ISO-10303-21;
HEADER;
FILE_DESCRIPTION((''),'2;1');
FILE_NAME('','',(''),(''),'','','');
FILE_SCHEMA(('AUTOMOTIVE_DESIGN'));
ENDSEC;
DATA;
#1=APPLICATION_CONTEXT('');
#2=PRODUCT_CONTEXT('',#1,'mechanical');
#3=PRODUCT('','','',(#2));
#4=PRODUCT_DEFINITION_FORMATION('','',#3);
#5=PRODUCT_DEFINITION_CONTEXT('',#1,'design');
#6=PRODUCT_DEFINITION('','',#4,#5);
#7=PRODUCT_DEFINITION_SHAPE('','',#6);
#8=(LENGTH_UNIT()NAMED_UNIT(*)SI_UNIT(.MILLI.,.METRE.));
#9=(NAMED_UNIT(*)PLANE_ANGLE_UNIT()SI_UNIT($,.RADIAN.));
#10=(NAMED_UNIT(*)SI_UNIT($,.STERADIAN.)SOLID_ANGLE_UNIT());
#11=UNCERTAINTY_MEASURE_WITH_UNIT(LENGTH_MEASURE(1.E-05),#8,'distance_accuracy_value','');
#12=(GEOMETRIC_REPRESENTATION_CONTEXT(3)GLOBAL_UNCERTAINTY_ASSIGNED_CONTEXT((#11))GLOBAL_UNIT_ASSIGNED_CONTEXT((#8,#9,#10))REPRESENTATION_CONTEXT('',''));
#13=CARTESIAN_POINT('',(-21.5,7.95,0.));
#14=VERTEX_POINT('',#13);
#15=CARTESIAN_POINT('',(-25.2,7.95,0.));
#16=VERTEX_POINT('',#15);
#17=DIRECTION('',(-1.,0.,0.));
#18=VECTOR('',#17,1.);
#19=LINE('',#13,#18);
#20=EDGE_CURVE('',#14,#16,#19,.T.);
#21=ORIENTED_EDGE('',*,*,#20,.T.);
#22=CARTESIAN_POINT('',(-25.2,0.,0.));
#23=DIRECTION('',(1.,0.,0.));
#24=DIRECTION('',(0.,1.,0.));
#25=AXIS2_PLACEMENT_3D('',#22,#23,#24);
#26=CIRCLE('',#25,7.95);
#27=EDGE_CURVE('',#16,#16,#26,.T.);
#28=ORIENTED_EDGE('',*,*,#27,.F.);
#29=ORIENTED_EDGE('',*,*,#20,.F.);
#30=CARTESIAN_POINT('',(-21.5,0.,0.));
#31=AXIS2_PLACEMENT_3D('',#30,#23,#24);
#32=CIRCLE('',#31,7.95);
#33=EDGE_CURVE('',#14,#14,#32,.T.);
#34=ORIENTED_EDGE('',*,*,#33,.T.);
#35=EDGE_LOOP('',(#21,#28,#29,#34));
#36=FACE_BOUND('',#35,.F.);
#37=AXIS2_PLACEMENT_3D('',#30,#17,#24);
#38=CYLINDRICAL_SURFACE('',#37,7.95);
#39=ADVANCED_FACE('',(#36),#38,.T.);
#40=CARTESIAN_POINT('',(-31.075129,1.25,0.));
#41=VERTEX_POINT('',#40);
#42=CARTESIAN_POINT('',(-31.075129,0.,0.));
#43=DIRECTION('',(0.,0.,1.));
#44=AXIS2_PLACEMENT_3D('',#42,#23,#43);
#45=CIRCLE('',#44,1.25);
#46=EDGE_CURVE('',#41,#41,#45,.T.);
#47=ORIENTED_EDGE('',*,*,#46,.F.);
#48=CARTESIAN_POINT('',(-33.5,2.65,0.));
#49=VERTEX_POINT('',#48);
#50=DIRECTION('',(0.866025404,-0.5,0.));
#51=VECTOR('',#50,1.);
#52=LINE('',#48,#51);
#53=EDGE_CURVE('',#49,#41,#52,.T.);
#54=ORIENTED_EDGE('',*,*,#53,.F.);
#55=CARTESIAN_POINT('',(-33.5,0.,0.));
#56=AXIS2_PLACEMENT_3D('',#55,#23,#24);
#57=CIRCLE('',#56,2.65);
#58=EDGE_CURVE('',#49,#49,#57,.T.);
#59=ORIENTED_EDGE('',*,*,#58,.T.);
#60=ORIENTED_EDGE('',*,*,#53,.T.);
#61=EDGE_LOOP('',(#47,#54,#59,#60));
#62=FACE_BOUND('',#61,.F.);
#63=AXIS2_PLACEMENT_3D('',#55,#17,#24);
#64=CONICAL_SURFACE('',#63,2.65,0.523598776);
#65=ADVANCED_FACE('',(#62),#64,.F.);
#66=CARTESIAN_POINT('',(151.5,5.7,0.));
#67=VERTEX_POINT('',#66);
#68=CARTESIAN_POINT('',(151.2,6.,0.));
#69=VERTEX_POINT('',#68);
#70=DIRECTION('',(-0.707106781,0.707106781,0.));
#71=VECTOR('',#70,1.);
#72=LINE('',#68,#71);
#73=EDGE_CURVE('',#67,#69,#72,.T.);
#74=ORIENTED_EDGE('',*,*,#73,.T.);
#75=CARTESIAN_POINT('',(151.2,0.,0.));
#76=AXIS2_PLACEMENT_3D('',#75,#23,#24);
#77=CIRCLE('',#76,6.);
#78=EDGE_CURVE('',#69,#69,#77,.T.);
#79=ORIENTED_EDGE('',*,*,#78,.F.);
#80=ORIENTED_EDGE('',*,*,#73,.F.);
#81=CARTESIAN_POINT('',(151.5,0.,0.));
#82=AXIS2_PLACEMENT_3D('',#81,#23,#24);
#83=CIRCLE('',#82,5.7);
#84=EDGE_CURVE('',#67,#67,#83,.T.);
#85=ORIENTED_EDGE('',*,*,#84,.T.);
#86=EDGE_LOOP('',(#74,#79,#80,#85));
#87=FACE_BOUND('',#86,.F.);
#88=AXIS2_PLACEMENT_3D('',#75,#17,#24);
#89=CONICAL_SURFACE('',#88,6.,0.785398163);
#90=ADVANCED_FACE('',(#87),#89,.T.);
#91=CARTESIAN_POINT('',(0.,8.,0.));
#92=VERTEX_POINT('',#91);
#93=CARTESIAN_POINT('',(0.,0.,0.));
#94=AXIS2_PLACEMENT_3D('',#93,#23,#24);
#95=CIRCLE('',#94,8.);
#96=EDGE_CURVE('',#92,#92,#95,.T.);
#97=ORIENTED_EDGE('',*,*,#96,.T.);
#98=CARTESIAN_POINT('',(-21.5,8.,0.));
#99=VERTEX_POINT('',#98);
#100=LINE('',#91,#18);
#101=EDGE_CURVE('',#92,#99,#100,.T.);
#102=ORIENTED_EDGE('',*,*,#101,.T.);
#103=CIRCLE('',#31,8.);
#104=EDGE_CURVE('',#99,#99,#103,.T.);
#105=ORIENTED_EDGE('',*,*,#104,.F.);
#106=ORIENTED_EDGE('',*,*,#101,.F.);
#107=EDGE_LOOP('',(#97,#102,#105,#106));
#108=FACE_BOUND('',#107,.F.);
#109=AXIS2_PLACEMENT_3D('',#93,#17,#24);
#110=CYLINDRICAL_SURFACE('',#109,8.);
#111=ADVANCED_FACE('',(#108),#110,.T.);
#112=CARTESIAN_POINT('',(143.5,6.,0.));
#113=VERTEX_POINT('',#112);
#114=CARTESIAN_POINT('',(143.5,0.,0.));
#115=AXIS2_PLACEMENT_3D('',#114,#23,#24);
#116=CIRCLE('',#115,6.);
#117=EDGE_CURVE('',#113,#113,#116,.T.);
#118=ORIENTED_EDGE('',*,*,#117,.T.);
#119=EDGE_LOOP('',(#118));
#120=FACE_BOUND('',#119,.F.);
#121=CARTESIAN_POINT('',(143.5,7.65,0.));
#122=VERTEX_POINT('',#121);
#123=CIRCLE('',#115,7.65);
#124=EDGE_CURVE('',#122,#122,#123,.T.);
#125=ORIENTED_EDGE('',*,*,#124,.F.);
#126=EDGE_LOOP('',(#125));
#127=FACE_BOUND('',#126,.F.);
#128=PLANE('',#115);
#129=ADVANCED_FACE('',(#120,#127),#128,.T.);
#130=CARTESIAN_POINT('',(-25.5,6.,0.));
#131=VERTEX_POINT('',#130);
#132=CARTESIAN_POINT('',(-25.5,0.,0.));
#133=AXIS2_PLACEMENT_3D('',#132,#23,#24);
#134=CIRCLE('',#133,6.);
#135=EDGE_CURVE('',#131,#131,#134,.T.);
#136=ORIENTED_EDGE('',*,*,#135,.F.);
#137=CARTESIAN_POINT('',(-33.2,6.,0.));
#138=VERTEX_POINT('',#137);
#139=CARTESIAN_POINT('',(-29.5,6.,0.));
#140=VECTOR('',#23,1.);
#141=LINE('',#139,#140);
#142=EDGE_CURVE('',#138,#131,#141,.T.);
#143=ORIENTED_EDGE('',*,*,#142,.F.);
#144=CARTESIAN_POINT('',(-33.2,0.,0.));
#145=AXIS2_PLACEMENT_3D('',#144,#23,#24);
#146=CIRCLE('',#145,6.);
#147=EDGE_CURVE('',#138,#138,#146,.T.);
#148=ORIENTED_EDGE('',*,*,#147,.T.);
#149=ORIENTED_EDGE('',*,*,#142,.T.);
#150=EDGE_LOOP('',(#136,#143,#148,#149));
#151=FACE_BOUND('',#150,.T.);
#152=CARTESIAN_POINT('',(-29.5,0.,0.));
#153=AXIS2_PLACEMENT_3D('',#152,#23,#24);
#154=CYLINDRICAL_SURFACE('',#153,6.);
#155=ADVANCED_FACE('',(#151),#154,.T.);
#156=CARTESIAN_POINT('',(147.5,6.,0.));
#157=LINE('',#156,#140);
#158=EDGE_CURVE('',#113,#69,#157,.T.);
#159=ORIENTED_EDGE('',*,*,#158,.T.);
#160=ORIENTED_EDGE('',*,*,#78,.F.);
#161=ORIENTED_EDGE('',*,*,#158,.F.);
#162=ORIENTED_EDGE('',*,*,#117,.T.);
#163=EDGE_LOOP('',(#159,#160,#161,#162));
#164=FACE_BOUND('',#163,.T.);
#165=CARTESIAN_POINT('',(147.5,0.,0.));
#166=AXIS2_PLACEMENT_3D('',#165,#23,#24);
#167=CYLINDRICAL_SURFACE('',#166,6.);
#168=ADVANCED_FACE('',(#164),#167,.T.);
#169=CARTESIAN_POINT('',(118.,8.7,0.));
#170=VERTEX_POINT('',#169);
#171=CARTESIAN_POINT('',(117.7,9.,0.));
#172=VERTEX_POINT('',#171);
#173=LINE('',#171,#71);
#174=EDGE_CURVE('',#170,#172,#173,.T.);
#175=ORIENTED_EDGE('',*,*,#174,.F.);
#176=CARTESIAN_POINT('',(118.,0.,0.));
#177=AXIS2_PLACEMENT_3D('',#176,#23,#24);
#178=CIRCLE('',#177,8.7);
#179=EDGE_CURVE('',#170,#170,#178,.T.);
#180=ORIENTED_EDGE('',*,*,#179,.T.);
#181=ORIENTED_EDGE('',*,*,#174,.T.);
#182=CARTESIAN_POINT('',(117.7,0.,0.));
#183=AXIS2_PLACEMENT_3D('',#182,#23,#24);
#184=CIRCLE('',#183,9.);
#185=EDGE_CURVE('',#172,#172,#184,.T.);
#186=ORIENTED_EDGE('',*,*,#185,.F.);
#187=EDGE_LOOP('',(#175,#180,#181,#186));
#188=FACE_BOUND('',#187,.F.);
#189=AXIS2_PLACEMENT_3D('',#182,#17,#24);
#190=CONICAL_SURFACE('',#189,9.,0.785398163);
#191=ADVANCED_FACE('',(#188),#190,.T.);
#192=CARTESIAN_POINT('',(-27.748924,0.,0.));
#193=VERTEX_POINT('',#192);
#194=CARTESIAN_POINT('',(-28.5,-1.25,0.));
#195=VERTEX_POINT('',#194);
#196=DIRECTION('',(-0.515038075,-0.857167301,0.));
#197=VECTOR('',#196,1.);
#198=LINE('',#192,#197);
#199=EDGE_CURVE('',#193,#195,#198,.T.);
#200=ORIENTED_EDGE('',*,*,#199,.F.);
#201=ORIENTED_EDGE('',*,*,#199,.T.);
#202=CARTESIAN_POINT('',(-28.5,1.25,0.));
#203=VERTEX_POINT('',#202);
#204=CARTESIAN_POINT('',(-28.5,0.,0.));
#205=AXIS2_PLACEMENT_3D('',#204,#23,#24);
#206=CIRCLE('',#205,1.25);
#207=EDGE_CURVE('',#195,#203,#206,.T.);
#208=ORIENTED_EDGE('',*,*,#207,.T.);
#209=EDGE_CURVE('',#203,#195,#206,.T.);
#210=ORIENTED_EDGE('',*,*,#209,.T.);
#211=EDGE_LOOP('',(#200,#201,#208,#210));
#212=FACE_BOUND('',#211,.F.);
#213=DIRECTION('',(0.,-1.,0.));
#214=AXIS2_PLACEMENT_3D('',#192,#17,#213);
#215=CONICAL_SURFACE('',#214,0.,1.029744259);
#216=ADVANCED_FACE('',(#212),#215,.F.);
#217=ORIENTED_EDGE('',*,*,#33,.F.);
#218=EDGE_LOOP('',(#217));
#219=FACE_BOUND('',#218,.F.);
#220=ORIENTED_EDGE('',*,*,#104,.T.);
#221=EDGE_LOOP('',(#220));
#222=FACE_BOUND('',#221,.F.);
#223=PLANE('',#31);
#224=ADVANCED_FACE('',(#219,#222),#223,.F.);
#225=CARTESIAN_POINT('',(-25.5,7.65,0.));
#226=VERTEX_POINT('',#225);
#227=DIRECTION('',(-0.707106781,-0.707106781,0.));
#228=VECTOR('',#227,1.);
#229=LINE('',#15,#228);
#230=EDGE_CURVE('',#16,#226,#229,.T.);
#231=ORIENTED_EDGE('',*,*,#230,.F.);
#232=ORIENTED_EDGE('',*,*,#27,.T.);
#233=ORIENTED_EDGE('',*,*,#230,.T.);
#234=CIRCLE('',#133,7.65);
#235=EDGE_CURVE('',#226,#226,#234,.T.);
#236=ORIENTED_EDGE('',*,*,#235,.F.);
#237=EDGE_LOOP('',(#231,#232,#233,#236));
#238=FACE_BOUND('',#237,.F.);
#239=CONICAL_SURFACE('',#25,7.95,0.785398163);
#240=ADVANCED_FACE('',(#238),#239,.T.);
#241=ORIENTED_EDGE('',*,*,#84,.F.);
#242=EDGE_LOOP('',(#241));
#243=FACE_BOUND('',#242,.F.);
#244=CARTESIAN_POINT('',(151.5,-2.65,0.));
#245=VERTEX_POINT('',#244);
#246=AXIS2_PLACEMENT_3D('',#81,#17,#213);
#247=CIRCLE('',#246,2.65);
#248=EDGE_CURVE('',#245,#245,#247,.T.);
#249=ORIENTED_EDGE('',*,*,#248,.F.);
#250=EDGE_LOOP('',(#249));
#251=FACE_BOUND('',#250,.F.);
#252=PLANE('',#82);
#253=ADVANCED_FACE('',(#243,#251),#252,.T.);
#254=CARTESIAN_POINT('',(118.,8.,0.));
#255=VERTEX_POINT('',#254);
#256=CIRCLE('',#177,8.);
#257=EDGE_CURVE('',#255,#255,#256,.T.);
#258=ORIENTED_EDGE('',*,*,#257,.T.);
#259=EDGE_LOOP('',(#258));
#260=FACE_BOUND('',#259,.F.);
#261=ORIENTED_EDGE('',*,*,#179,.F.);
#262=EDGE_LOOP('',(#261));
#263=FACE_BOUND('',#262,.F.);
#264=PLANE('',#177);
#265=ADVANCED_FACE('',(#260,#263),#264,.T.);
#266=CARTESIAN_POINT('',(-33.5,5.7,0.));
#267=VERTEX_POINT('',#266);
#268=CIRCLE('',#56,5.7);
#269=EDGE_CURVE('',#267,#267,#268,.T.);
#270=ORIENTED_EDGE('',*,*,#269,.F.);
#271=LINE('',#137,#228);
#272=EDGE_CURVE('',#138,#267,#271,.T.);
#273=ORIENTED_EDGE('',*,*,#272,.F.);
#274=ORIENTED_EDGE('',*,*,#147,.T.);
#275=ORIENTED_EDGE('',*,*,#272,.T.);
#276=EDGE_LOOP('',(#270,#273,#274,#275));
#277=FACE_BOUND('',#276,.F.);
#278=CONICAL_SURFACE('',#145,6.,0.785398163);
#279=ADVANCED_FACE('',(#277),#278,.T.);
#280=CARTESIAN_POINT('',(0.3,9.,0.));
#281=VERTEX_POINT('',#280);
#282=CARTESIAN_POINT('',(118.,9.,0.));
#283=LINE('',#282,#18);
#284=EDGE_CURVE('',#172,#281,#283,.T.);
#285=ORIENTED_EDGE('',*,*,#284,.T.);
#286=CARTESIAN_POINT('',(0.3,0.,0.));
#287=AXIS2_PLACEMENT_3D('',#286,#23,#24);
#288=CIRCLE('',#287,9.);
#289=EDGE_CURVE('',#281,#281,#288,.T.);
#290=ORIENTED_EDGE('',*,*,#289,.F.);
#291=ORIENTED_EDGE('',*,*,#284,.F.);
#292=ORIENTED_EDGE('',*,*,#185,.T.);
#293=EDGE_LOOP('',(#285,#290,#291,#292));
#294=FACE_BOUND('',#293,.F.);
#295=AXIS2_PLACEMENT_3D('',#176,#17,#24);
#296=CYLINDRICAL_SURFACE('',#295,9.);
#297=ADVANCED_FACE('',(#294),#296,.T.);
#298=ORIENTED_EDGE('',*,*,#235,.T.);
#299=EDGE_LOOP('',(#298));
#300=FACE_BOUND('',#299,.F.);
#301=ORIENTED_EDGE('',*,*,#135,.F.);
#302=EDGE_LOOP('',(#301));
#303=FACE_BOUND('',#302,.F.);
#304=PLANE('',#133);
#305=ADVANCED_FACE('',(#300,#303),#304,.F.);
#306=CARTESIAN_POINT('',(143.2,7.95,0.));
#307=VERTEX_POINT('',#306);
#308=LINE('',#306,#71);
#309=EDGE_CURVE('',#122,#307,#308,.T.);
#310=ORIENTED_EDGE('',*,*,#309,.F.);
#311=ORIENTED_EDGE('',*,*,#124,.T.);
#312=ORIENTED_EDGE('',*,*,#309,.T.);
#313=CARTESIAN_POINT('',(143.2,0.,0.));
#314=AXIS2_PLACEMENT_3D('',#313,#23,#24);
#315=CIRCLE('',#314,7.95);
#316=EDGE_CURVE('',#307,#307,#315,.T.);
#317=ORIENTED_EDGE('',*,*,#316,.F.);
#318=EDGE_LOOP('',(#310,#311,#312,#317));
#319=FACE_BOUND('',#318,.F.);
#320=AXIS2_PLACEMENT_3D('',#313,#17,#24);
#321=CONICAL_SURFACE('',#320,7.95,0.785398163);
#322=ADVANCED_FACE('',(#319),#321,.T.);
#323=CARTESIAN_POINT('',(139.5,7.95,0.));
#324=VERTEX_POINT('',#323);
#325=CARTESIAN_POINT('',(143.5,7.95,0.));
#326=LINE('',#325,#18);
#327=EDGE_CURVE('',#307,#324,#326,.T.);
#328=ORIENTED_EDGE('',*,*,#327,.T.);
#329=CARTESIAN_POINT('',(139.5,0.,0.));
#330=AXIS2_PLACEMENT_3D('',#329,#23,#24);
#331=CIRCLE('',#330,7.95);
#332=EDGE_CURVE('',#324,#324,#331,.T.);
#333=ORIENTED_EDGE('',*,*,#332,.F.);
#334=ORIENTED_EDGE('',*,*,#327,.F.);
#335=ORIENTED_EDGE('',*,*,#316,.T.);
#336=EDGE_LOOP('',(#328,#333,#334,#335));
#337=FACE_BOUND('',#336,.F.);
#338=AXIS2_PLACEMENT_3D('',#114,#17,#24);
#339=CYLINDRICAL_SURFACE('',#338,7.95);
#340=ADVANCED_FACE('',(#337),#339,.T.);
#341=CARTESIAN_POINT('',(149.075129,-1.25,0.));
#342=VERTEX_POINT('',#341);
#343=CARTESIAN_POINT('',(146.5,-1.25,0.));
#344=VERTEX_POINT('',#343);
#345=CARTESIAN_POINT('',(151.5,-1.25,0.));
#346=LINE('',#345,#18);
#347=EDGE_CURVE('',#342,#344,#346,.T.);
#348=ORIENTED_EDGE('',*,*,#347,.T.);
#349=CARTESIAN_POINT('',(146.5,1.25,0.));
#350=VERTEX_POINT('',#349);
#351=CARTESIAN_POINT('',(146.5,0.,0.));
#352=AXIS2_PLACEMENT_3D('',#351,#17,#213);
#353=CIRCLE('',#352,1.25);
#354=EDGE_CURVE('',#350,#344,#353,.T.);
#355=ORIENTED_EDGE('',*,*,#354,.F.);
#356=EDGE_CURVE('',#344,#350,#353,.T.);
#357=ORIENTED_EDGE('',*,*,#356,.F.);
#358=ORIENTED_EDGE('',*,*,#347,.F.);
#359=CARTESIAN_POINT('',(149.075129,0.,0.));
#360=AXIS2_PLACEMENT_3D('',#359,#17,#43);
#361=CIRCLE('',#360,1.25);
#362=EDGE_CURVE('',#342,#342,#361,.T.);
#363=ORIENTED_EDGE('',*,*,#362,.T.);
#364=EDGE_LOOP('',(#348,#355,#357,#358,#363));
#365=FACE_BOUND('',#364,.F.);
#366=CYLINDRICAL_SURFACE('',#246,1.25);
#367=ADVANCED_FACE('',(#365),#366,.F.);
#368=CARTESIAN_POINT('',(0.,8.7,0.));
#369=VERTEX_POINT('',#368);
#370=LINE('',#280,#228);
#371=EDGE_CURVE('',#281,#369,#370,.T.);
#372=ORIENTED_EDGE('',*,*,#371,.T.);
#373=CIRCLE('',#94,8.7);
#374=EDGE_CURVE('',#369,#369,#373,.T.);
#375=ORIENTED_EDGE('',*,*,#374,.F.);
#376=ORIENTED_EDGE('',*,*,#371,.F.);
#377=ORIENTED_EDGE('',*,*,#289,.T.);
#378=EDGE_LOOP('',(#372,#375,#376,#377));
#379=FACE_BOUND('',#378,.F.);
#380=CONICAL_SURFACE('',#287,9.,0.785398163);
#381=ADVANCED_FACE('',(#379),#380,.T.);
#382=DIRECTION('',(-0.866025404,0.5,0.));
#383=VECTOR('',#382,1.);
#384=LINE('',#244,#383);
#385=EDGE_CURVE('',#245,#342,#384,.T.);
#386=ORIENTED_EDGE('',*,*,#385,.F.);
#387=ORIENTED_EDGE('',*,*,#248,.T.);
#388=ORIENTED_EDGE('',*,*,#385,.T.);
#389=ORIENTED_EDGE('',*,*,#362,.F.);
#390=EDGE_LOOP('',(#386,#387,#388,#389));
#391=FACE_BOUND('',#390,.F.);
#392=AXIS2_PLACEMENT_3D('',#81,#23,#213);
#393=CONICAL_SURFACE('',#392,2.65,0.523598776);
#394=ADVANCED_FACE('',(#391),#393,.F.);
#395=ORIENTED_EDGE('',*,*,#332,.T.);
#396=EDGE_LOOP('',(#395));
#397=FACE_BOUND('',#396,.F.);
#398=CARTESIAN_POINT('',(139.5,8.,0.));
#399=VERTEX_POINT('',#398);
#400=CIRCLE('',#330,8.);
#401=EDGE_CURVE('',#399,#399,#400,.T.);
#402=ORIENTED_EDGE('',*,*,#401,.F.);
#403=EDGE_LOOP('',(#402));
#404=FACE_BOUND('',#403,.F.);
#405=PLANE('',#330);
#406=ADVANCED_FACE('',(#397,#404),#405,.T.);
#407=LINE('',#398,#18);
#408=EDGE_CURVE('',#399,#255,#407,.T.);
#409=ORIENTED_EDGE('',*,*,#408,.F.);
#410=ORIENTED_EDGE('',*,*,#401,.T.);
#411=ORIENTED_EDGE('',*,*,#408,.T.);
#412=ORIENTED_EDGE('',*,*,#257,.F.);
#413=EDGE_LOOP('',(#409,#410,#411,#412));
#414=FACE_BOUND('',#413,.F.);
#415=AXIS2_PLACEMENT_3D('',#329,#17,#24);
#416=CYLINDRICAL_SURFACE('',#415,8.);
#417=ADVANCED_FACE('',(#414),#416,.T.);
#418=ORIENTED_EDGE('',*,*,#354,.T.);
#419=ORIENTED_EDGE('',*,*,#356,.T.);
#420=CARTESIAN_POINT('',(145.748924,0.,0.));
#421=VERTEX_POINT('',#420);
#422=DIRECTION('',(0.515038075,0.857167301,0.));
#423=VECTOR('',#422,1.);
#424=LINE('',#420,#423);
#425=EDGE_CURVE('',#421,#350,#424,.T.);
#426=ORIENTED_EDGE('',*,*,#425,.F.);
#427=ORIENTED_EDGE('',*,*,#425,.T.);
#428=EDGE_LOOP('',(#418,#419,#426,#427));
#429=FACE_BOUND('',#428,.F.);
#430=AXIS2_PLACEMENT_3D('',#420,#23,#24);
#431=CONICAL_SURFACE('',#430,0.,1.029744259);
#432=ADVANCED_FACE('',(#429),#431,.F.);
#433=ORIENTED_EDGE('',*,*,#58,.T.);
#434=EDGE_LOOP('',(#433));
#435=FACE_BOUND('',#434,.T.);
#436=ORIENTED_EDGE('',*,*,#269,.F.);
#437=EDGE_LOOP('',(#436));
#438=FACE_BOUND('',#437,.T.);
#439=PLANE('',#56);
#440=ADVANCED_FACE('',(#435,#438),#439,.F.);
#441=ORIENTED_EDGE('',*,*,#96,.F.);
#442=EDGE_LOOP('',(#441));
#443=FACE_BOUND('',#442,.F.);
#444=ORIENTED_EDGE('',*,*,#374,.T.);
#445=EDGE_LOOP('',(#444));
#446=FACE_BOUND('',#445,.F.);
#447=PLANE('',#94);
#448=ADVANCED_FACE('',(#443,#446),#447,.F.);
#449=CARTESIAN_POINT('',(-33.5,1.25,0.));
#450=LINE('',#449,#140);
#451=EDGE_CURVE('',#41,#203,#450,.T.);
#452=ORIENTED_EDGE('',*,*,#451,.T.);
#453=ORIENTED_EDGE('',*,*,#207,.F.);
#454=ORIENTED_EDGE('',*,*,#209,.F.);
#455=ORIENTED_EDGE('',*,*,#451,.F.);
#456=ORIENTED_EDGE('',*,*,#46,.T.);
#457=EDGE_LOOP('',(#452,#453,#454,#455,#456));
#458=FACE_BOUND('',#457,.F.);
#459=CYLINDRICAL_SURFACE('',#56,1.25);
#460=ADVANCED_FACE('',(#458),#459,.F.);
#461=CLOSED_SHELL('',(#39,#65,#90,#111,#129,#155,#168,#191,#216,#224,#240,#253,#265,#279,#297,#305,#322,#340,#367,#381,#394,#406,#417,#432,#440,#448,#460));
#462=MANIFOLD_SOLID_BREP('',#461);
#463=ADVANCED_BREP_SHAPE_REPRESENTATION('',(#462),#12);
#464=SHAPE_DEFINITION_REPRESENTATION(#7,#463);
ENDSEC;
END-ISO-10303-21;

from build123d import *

# Parameters (mm, degrees)
F0_W                 = 8
F0_H                 = 6
F2_SIZE              = 0.3
F5_D                 = 2.5
F5_DEPTH             = 5
F5_CSINK_D           = 5.3
F5_CSINK_ANGLE       = 60
F5_TIP               = 0.7510757738
F5_ON_F4_D           = 2.5
F5_ON_F4_DEPTH       = 5
F5_ON_F4_CSINK_D     = 5.3
F5_ON_F4_CSINK_ANGLE = 60
F5_ON_F4_TIP         = 0.7510757738


with BuildPart() as f1:
    # F0 (on Top) → F1 (revolve)
    with BuildSketch(Plane.XY):
        with Locations((147.5, 3)):
            Rectangle(F0_W, F0_H)
        Polygon((139.5, 7.95), (139.5, 0), (143.5, 0), (143.5, 6), (143.5, 7.95), align=None)
        Polygon((118, 8), (118, 0), (139.5, 0), (139.5, 7.95), (139.5, 8), align=None)
        Polygon((0, 8), (0, 0), (118, 0), (118, 8), (118, 9), (0, 9), align=None)
        Polygon((-21.5, 0), (0, 0), (0, 8), (-21.5, 8), (-21.5, 7.95), align=None)
        Polygon((-25.5, 0), (-21.5, 0), (-21.5, 7.95), (-25.5, 7.95), (-25.5, 6), align=None)
        with Locations((-29.5, 3)):
            Rectangle(F0_W, F0_H)
    revolve(axis=Axis((59, 0, 0), (1, 0, 0)))

    # F2
    f2_edges = [f1.edges().sort_by_distance(p)[0] for p in [
        (151.5, -6, 0),
        (143.5, -7.95, 0),
        (118, -9, 0),
        (0, -9, 0),
        (-25.5, -7.95, 0),
        (-33.5, -6, 0),
    ]]
    chamfer(f2_edges, length=F2_SIZE)

    # F5
    with Locations(Plane(origin=(-33.5, 0, 0), x_dir=(0, -1, 0), z_dir=(-1, 0, 0))):
        with Locations((0, 0)):
            CounterSinkHole(F5_D / 2, F5_CSINK_D / 2, depth=F5_DEPTH, counter_sink_angle=F5_CSINK_ANGLE)
            with Locations((0, 0, -(F5_DEPTH + F5_TIP / 2))):  # 118° drill point
                Cone(0, F5_D / 2, F5_TIP, mode=Mode.SUBTRACT)

    # F5 on F4
    with Locations(Plane.YZ.offset(151.5)):
        with Locations((0, 0)):
            CounterSinkHole(F5_ON_F4_D / 2, F5_ON_F4_CSINK_D / 2, depth=F5_ON_F4_DEPTH, counter_sink_angle=F5_ON_F4_CSINK_ANGLE)
            with Locations((0, 0, -(F5_ON_F4_DEPTH + F5_ON_F4_TIP / 2))):  # 118° drill point
                Cone(0, F5_ON_F4_D / 2, F5_ON_F4_TIP, mode=Mode.SUBTRACT)


solid = f1.part
